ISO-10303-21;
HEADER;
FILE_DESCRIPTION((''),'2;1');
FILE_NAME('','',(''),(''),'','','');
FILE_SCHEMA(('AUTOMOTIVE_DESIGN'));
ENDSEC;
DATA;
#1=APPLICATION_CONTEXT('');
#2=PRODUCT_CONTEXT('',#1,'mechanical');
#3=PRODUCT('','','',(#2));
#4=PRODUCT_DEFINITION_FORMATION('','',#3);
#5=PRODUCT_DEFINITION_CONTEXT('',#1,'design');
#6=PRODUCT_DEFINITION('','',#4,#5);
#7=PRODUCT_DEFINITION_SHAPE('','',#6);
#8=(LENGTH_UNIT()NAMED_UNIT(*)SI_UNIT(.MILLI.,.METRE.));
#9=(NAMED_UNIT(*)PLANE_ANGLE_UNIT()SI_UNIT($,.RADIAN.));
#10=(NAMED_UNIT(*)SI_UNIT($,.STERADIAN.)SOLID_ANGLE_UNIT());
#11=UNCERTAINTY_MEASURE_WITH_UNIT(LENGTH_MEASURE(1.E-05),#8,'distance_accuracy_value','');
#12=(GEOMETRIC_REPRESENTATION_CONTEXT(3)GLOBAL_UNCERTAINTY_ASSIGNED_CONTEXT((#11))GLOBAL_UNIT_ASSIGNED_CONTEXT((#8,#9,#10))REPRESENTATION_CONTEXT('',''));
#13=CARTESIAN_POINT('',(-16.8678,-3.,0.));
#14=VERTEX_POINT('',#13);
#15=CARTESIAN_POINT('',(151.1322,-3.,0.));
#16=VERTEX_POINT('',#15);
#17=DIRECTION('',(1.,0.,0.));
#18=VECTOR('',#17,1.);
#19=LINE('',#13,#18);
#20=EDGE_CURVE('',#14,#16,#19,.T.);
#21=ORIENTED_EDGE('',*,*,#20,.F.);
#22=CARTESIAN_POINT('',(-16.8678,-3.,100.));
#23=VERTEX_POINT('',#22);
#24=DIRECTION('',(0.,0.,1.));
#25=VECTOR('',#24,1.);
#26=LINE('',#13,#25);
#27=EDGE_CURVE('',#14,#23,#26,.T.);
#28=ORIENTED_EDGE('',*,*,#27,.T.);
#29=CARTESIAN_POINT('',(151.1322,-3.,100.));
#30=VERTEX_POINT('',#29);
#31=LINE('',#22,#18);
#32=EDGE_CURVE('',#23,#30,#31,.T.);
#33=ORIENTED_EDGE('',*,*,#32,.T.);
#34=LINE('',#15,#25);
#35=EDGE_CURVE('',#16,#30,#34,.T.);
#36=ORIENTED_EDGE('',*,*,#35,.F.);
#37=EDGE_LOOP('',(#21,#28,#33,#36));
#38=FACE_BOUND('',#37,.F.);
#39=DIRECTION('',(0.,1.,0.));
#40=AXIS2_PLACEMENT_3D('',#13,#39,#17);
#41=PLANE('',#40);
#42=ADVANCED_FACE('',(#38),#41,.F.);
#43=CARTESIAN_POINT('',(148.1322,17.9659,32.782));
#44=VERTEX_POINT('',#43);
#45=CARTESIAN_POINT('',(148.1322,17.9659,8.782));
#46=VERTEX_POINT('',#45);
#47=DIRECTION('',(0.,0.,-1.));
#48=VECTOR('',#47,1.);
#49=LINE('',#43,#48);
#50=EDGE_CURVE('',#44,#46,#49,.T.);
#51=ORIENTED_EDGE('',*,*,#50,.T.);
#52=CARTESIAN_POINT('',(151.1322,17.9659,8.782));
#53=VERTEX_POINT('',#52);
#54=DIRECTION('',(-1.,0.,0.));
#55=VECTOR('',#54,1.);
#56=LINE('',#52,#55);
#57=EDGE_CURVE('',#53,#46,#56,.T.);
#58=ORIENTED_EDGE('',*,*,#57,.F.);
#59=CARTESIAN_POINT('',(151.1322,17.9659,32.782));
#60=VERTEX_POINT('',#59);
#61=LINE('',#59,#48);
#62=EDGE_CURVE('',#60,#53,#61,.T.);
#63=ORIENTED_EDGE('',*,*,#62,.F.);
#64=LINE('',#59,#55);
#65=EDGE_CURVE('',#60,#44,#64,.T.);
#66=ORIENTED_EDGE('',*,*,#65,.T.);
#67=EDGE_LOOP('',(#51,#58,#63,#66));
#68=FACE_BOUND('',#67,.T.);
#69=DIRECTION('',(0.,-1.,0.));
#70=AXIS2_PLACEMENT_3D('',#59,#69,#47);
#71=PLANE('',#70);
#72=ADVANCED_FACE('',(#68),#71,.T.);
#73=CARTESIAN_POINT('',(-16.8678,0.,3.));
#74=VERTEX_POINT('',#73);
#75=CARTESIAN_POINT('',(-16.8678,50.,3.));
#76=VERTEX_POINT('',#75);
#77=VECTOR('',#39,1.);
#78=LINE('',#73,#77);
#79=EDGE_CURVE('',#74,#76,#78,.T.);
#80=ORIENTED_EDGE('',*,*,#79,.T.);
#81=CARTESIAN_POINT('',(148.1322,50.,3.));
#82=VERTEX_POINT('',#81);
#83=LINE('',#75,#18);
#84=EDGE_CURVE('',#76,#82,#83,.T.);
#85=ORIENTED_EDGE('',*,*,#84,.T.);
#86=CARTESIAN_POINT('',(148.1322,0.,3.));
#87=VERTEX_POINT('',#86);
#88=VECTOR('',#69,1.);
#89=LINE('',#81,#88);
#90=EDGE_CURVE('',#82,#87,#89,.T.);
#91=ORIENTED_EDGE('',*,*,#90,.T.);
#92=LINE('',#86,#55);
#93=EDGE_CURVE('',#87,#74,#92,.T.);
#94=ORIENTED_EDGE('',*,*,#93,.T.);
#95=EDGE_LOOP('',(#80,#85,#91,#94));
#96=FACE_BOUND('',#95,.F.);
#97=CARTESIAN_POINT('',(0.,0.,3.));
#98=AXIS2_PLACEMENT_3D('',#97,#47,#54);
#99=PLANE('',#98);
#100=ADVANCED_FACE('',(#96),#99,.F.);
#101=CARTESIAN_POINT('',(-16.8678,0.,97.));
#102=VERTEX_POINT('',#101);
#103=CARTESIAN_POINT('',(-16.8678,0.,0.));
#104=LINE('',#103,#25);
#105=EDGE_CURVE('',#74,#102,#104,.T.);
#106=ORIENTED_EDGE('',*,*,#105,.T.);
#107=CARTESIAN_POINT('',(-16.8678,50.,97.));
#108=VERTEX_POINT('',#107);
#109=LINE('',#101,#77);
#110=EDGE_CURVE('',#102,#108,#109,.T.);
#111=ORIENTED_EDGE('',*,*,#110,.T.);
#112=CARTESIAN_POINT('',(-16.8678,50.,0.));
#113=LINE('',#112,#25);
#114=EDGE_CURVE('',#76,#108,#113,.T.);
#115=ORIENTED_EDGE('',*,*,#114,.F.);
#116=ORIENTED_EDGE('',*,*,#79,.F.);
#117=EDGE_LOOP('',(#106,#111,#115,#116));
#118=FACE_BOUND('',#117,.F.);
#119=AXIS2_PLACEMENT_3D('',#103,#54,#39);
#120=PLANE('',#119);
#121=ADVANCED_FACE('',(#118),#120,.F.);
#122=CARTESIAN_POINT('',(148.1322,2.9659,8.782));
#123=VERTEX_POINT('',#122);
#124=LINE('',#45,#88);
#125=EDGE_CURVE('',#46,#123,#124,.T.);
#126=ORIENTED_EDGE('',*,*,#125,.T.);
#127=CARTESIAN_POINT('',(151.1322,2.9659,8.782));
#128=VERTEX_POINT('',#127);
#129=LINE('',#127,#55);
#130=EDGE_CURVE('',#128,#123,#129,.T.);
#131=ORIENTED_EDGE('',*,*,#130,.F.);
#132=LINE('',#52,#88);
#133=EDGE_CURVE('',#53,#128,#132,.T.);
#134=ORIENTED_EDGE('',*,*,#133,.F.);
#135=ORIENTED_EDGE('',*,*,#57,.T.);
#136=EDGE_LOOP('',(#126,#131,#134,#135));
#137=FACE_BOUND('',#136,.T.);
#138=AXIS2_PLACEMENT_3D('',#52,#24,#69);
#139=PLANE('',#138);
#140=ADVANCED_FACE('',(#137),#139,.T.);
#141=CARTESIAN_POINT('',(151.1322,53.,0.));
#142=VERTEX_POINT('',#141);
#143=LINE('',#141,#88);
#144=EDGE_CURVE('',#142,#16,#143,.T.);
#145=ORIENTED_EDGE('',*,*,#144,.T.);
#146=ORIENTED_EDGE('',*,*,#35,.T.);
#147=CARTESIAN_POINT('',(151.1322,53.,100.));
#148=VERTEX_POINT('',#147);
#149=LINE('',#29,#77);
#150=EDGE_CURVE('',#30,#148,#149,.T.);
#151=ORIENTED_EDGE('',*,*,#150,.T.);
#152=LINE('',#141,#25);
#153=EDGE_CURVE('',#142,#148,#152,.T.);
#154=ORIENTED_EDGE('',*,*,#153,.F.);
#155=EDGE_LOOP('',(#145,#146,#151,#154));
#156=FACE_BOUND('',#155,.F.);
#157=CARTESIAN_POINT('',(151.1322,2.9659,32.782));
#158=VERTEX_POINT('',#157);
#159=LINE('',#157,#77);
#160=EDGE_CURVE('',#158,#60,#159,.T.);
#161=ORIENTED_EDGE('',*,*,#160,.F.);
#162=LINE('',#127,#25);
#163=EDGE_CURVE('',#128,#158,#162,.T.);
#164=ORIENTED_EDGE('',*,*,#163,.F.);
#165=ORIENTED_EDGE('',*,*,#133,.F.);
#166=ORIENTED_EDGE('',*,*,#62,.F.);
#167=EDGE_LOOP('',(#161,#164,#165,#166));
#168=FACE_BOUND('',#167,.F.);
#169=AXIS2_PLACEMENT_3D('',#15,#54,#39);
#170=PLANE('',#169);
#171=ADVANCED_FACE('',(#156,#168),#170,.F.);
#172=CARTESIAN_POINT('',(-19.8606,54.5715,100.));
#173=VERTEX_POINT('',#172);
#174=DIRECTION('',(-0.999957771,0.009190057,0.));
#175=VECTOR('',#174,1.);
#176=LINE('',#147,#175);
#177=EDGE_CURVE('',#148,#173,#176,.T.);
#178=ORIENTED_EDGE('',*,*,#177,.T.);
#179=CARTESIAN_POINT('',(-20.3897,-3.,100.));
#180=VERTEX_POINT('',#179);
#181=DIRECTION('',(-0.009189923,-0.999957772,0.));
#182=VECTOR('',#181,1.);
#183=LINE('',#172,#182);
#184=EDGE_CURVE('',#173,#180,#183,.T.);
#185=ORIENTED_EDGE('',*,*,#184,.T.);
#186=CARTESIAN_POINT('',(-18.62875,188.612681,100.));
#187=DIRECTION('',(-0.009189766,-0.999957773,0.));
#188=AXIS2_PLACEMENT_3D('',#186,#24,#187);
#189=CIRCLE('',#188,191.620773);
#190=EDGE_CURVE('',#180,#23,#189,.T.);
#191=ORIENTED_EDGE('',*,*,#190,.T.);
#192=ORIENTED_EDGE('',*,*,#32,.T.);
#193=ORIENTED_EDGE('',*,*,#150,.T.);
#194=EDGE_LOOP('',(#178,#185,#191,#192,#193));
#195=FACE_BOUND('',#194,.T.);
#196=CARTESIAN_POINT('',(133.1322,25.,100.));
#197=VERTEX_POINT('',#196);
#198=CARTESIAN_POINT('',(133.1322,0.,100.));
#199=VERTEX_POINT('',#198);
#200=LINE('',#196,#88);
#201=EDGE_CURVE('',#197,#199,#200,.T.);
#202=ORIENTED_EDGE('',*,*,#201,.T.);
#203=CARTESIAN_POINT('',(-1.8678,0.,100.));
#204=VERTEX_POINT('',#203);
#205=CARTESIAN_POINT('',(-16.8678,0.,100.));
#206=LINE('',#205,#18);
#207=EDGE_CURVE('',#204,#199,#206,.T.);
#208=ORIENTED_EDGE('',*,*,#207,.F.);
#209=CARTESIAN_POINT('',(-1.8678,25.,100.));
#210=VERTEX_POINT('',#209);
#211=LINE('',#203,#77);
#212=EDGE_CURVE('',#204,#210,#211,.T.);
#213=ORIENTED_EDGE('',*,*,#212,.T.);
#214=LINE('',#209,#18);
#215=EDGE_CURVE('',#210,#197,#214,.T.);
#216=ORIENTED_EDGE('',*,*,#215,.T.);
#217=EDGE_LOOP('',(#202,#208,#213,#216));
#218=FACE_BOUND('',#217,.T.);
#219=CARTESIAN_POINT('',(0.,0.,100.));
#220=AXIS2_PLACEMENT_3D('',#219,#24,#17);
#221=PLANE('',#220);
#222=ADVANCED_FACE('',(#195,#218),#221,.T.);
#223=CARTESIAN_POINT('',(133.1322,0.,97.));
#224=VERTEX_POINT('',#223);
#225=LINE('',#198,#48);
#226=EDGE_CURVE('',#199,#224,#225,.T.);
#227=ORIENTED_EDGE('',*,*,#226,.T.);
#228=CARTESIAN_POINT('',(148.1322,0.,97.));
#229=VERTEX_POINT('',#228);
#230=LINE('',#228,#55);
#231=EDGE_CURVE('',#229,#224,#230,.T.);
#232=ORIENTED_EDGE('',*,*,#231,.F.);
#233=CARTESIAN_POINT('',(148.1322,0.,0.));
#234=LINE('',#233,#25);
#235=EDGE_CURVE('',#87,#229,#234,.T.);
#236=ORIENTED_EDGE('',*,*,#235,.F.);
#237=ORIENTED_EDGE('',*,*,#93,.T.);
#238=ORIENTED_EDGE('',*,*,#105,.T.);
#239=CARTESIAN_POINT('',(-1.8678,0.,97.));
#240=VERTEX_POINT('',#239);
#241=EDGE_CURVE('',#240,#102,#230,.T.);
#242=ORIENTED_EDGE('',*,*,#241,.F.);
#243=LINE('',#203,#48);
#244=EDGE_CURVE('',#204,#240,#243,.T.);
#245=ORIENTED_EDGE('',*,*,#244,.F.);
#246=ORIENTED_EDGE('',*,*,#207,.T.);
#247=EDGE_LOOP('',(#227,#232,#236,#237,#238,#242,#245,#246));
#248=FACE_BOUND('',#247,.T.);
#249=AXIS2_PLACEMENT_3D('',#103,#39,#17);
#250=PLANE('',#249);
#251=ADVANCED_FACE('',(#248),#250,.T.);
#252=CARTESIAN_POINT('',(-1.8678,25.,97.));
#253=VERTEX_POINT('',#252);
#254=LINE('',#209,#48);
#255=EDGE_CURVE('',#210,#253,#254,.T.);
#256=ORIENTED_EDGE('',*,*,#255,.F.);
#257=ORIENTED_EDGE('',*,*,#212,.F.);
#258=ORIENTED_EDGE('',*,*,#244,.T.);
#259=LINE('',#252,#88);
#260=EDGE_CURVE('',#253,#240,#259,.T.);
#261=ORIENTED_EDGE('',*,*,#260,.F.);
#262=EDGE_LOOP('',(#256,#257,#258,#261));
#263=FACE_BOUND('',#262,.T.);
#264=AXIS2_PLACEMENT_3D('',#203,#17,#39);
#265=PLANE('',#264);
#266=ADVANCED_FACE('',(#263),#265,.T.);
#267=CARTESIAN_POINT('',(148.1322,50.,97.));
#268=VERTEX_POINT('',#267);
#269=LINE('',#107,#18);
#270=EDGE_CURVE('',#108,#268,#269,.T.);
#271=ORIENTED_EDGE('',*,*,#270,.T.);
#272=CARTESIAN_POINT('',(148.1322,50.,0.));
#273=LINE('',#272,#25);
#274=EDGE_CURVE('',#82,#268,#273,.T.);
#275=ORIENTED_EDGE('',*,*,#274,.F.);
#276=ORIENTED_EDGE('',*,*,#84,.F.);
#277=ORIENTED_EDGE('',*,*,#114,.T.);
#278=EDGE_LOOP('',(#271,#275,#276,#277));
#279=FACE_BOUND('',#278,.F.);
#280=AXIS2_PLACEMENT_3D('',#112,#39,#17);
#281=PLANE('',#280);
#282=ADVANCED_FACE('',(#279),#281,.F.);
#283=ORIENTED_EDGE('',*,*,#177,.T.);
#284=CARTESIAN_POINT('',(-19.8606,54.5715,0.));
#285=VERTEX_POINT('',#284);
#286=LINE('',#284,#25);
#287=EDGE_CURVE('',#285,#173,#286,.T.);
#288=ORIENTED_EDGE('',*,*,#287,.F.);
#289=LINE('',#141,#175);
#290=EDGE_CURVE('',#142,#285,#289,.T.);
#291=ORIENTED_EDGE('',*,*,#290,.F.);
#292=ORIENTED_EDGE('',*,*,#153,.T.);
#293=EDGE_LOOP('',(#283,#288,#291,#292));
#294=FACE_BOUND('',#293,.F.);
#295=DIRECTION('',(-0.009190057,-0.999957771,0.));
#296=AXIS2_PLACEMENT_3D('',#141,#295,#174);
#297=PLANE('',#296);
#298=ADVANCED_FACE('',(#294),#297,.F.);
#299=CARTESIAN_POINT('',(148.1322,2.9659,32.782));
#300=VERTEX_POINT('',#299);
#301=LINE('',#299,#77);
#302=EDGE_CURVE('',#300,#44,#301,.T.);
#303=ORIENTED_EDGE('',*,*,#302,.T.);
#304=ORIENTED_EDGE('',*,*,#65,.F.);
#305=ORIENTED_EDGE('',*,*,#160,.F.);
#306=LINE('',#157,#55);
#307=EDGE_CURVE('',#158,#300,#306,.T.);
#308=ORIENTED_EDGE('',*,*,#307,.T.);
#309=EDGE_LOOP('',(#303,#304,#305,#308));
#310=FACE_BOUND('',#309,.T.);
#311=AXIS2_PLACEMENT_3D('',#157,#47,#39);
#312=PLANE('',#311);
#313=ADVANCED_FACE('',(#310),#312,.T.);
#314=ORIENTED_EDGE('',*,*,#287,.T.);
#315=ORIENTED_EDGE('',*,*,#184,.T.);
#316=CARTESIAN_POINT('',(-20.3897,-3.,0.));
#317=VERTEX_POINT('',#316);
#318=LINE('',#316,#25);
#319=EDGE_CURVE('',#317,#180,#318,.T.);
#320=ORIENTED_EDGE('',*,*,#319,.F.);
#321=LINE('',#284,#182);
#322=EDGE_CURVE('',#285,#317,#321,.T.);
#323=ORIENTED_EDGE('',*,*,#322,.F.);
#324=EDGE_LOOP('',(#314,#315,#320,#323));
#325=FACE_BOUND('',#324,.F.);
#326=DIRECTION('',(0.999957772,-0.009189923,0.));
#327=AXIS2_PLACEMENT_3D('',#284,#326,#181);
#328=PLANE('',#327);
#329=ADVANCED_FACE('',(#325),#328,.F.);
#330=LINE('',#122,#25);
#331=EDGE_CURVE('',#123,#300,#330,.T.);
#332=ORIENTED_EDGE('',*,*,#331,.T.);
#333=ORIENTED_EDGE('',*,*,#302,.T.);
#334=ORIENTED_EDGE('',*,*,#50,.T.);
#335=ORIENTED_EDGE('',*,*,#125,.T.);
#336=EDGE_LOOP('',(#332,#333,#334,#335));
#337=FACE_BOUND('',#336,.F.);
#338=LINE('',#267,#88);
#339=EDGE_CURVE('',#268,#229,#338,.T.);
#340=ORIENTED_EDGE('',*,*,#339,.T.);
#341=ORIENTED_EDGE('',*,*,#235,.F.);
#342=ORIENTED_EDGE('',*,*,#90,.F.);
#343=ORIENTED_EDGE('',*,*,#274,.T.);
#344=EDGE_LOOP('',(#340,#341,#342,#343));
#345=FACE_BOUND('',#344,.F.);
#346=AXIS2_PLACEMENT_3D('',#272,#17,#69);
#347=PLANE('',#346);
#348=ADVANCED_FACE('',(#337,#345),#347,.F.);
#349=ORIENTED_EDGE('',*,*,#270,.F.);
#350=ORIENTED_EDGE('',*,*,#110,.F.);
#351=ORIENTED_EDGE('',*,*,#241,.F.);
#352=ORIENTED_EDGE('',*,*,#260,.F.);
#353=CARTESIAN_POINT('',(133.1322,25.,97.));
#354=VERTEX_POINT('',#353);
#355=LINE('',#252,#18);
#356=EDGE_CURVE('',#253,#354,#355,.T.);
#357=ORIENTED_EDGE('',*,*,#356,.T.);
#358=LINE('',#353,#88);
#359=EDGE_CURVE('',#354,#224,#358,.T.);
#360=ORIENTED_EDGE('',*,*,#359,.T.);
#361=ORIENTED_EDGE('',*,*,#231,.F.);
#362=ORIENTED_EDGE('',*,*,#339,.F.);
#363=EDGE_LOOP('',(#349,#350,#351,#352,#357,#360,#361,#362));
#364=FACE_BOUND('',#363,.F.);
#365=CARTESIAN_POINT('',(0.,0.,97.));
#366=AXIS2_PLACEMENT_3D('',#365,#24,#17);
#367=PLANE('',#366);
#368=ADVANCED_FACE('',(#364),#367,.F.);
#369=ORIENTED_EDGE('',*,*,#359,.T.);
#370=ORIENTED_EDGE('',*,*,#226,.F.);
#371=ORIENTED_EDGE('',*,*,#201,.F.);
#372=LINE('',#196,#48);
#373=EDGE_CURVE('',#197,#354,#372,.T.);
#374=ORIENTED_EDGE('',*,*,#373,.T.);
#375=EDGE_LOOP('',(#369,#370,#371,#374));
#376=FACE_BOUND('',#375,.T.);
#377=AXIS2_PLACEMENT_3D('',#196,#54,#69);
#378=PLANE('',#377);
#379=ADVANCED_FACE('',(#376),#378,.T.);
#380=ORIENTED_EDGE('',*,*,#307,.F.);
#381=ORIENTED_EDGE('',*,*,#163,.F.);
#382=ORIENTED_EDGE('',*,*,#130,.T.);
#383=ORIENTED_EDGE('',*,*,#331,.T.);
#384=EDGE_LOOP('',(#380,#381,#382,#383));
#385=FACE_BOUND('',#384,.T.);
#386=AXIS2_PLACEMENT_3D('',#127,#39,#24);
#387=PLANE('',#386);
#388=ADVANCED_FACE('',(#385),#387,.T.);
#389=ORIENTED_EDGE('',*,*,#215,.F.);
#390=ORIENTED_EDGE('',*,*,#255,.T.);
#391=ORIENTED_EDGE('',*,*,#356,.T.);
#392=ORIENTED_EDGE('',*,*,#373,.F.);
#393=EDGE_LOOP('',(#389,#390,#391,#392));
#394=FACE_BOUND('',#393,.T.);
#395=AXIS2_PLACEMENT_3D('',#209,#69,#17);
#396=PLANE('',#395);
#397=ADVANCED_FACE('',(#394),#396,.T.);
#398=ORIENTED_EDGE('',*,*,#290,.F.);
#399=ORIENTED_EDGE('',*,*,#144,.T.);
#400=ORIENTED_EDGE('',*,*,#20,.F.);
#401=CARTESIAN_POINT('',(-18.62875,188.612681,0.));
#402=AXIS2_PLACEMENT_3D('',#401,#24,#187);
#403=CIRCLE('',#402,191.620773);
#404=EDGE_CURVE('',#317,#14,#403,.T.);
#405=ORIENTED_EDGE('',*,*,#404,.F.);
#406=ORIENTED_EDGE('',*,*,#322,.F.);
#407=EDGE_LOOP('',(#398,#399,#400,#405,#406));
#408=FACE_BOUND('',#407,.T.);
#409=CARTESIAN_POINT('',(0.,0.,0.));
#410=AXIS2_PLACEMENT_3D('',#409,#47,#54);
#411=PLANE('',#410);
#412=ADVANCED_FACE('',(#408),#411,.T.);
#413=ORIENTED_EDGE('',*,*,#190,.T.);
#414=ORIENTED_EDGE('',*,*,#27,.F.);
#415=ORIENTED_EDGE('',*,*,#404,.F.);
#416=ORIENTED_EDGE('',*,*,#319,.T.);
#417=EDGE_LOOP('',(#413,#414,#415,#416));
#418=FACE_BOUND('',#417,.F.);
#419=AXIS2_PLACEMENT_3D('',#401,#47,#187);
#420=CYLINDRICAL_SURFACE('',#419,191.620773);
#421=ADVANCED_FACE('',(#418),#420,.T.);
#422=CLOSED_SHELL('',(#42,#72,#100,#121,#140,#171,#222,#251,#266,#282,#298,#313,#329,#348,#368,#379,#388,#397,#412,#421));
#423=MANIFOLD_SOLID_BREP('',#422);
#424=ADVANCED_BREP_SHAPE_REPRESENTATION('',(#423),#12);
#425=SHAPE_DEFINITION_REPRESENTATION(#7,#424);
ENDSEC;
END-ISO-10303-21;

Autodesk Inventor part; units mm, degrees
ref_plane "YZ Plane" through (0, 0, 0) normal (1, 0, 0) x (0, 1, 0)
ref_plane "XZ Plane" through (0, 0, 0) normal (0, 1, 0) x (-1, 0, 0)
ref_plane "XY Plane" through (0, 0, 0) normal (0, 0, 1) x (1, 0, 0)
sketch "Sketch1" plane through (0, 0, 0) normal (0, 0, 1) x (1, 0, 0)
  line L0 (-16.8678, 0) -> (148.1322, 0)
  line L1 (-16.8678, 0) -> (-16.8678, 50)
  line L2 (-16.8678, 50) -> (148.1322, 50)
  line L3 (148.1322, 50) -> (148.1322, 0)
  line L4 (-16.8678, 0) -> (-16.8678, -3)
  line L5 (-16.8678, -3) -> (151.1322, -3)
  line L6 (151.1322, -3) -> (151.1322, 50)
  line L7 (151.1322, 50) -> (151.1322, 53)
  line L8 (151.1322, 53) -> (-19.8606, 54.5715)
  line L9 (-19.8606, 54.5715) -> (-20.3897, -3)
  arc A0 (-20.3897, -3) -> (-16.8678, -3) centre (-18.6288, 188.6018) ccw
  point P0 (0, 0)
  dimension "d0" = 165
  dimension "d2" = 50
  dimension "d3" = 165
  dimension "d4" = 3
  dimension "d5" = 168
  dimension "d6" = 53
  dimension "d7" = 3
  dimension "d8" = 171
extrude "Extrusion1" add sketch "Sketch1" along normal blind 100
sketch "Sketch2" plane through (0, 0, 100) normal (0, 0, 1) x (1, 0, 0)
  line L0 (148.1322, 0) -> (-16.8678, 0) projected
  line L1 (-16.8678, 0) -> (-1.8678, 0)
  line L2 (-1.8678, 0) -> (-1.8678, 3.4426)
  line L3 (-1.8678, 0) -> (-1.8678, 25)
  line L4 (-1.8678, 25) -> (133.1322, 25)
  line L5 (133.1322, 25) -> (133.1322, 0)
  line L6 (-16.8678, 0) -> (-16.8678, 50)
  line L7 (-16.8678, 50) -> (148.1322, 50)
  line L8 (148.1322, 50) -> (148.1322, 0)
  line L9 (148.1322, 0) -> (133.1322, 0)
  point P0 (0, 0)
  dimension "d11" = 15
  dimension "d12" = 25
  dimension "d13" = 135
  dimension "d14" = 50
  dimension "d15" = 165
  dimension "d16" = 50
extrude "Extrusion2" add sketch "Sketch2" against normal blind 3 contours L0 L5 L4 L3 L2 L6 L7 L8
sketch "Sketch3" plane through (0, 0, 0) normal (0, 0, -1) x (-1, 0, 0)
  line L0 (-148.1322, 0) -> (16.8678, 0) projected
  line L1 (-148.1322, 0) -> (16.8678, 0)
  line L2 (16.8678, 0) -> (16.8678, 50)
  line L3 (16.8678, 50) -> (-148.1322, 50)
  line L4 (-148.1322, 50) -> (-148.1322, 0)
  point P0 (0, 0)
  dimension "d19" = 165
  dimension "d20" = 50
  dimension "d21" = 165
extrude "Extrusion3" add sketch "Sketch3" against normal blind 3
sketch "Sketch4" plane through (151.1322, -3, 0) normal (1, 0, 0) x (0, 0, -1)
  line L0 (-32.782, 20.9659) -> (-8.782, 20.9659)
  line L1 (-8.782, 20.9659) -> (-8.782, 5.9659)
  line L2 (-8.782, 5.9659) -> (-32.782, 5.9659)
  line L3 (-32.782, 5.9659) -> (-32.782, 20.9659)
  point P0 (0, 3)
  dimension "d24" = 24
  dimension "d25" = 15
extrude "Extrusion4" cut sketch "Sketch4" against normal blind 3
properties part number "Main"
